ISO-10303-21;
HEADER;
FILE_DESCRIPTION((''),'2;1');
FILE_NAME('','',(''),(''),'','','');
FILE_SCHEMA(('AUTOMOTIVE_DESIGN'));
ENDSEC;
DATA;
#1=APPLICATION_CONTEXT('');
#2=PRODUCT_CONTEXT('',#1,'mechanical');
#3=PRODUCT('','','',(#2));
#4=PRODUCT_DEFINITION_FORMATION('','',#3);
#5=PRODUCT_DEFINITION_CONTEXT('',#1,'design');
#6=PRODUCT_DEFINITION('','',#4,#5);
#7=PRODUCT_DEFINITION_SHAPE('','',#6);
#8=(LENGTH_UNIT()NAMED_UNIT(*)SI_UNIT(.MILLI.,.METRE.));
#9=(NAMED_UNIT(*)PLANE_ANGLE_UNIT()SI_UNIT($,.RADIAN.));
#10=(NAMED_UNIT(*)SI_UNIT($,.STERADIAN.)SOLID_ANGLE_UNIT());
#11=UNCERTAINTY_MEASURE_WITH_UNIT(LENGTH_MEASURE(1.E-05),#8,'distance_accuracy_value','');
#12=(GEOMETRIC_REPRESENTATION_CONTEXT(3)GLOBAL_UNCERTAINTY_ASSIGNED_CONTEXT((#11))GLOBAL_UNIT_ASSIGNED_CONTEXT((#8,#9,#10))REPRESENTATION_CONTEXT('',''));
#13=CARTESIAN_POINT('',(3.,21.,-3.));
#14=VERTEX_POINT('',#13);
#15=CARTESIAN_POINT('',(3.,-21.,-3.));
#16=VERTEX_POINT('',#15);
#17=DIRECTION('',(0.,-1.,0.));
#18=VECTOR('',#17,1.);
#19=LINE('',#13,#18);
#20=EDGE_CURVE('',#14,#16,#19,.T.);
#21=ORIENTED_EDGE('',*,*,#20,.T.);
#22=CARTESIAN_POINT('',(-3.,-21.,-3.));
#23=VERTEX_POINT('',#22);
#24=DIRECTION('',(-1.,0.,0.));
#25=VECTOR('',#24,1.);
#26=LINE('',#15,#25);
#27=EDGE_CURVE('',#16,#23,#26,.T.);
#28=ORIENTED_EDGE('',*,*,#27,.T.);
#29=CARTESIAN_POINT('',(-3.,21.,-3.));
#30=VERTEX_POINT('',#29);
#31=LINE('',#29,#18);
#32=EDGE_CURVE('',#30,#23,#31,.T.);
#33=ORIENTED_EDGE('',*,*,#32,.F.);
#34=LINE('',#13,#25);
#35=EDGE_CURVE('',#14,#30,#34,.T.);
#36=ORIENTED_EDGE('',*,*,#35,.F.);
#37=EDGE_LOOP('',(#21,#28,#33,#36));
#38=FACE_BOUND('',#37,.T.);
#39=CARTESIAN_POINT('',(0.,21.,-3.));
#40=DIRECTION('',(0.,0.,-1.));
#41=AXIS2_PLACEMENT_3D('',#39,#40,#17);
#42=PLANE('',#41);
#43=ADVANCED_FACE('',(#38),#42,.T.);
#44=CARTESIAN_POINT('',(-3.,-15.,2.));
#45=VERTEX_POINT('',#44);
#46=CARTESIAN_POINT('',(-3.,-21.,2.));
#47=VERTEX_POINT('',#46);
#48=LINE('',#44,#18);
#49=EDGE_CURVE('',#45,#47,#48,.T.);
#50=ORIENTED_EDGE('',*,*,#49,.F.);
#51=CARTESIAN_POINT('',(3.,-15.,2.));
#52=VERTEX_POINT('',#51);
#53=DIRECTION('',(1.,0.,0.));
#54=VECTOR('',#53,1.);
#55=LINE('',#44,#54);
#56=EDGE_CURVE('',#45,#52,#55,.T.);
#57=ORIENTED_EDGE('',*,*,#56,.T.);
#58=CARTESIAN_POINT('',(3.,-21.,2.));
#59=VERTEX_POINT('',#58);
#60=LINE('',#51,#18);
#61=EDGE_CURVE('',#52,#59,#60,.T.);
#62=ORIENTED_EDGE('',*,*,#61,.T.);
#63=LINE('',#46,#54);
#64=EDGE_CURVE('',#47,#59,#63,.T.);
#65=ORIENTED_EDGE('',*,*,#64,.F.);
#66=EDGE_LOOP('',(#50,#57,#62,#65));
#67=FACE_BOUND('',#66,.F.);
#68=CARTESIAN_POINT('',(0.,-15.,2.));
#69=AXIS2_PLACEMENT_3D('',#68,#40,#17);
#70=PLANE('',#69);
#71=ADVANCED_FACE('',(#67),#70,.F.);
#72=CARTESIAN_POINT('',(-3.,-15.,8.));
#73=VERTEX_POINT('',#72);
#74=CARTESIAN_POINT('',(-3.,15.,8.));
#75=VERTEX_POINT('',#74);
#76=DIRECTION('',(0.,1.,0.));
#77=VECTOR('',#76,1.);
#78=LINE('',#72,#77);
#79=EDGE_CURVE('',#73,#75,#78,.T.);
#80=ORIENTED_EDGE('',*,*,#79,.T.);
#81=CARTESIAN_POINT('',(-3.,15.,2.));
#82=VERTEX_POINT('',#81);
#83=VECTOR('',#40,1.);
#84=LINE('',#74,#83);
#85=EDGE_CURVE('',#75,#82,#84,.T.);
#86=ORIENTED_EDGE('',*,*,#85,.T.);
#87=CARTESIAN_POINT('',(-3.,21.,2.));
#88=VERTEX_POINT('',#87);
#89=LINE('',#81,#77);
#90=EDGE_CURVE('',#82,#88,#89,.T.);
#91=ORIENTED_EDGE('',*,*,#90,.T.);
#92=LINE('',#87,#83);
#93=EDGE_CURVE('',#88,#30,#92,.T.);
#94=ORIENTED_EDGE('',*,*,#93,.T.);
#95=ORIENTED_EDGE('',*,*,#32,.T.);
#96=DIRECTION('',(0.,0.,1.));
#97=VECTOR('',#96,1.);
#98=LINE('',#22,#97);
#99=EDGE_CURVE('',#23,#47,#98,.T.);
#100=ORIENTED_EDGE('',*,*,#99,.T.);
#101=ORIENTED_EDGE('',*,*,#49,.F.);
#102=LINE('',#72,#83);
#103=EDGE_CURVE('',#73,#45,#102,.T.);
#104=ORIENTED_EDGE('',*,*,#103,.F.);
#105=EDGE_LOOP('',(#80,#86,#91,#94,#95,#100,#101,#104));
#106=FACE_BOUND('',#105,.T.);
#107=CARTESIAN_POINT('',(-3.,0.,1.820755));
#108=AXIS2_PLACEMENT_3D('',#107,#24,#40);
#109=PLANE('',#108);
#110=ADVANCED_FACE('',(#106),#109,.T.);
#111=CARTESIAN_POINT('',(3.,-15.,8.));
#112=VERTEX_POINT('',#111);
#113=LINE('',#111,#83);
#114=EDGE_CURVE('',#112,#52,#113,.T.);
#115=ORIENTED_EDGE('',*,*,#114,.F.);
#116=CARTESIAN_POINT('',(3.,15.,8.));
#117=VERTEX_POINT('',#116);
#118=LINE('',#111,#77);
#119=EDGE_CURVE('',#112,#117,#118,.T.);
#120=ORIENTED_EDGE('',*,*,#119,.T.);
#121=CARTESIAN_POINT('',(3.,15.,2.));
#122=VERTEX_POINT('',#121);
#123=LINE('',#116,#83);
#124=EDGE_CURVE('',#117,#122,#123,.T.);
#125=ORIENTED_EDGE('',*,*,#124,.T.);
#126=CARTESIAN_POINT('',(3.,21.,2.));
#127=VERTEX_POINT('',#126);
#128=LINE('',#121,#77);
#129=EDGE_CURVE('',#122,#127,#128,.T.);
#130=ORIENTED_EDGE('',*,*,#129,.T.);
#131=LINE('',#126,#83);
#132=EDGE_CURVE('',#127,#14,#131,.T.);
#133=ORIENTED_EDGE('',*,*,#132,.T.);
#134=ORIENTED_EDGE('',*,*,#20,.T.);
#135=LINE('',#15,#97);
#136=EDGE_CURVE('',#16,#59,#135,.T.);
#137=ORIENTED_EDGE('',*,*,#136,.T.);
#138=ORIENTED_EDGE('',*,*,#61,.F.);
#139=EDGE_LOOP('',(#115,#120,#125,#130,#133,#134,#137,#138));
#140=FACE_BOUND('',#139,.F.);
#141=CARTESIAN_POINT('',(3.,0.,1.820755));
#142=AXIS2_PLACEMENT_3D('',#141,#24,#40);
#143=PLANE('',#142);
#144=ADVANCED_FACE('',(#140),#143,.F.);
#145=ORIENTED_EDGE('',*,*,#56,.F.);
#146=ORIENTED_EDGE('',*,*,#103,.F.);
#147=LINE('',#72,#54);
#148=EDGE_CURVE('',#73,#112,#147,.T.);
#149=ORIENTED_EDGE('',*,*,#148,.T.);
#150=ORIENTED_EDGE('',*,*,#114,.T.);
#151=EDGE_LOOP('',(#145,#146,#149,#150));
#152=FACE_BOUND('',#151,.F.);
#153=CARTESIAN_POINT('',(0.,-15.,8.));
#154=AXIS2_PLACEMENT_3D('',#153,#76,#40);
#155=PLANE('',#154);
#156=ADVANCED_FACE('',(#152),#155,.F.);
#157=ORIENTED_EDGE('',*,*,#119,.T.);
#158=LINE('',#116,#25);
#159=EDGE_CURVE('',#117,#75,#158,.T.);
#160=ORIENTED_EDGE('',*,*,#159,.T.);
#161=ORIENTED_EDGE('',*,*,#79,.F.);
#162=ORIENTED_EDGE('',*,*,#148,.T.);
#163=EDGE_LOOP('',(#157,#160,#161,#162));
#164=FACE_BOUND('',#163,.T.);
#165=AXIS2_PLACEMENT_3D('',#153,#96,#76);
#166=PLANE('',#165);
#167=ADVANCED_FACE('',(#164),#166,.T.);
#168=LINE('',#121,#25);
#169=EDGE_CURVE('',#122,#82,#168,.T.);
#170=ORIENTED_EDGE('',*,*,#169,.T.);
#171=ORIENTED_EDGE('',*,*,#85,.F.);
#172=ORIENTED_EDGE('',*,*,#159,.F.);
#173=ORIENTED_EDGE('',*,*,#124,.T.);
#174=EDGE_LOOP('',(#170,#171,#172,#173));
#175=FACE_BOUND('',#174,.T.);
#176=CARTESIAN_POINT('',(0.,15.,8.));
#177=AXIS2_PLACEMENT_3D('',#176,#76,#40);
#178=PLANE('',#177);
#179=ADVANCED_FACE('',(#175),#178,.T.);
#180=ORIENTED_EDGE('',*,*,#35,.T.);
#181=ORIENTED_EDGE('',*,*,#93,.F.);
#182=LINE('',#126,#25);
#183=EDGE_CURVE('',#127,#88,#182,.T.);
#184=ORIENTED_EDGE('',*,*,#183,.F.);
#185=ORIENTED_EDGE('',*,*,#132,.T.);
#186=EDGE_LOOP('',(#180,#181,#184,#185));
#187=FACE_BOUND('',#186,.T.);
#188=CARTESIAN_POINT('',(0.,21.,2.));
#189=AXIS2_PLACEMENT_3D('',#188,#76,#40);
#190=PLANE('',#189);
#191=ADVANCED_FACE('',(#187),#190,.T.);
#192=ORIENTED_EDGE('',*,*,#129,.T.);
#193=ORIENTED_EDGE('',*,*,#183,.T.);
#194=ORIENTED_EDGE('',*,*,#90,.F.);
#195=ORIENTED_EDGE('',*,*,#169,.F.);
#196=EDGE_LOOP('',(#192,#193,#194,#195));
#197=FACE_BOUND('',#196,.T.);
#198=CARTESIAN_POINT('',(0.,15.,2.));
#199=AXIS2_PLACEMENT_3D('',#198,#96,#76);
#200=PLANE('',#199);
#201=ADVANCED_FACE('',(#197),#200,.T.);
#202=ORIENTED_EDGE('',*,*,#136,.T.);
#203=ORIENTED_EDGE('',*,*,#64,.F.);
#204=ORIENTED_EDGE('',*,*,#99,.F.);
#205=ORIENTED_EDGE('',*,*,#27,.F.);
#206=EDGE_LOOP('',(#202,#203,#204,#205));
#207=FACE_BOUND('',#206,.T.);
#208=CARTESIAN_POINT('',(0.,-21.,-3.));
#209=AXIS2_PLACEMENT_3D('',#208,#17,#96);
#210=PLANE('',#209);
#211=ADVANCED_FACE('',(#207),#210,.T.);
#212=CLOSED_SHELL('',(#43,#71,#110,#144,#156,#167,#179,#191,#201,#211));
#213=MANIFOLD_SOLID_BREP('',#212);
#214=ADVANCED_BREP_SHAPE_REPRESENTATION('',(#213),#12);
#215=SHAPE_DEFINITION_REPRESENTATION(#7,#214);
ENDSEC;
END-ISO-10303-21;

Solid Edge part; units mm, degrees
sketch "Sketch1" plane through (0, 0, 0) normal (1, 0, 0) x (0, 1, 0)
  line L0 (-15, 8) -> (15, 8)
  line L1 (15, 8) -> (15, 2)
  line L2 (15, 2) -> (21, 2)
  line L3 (21, 2) -> (21, -3)
  line L4 (21, -3) -> (-21, -3)
  line L5 (-21, -3) -> (-21, 2)
  line L6 (-15, 2) -> (-21, 2)
  line L7 (-15, 8) -> (-15, 2)
extrude "Protrusion1" add sketch "Sketch1" along normal mid plane 6
